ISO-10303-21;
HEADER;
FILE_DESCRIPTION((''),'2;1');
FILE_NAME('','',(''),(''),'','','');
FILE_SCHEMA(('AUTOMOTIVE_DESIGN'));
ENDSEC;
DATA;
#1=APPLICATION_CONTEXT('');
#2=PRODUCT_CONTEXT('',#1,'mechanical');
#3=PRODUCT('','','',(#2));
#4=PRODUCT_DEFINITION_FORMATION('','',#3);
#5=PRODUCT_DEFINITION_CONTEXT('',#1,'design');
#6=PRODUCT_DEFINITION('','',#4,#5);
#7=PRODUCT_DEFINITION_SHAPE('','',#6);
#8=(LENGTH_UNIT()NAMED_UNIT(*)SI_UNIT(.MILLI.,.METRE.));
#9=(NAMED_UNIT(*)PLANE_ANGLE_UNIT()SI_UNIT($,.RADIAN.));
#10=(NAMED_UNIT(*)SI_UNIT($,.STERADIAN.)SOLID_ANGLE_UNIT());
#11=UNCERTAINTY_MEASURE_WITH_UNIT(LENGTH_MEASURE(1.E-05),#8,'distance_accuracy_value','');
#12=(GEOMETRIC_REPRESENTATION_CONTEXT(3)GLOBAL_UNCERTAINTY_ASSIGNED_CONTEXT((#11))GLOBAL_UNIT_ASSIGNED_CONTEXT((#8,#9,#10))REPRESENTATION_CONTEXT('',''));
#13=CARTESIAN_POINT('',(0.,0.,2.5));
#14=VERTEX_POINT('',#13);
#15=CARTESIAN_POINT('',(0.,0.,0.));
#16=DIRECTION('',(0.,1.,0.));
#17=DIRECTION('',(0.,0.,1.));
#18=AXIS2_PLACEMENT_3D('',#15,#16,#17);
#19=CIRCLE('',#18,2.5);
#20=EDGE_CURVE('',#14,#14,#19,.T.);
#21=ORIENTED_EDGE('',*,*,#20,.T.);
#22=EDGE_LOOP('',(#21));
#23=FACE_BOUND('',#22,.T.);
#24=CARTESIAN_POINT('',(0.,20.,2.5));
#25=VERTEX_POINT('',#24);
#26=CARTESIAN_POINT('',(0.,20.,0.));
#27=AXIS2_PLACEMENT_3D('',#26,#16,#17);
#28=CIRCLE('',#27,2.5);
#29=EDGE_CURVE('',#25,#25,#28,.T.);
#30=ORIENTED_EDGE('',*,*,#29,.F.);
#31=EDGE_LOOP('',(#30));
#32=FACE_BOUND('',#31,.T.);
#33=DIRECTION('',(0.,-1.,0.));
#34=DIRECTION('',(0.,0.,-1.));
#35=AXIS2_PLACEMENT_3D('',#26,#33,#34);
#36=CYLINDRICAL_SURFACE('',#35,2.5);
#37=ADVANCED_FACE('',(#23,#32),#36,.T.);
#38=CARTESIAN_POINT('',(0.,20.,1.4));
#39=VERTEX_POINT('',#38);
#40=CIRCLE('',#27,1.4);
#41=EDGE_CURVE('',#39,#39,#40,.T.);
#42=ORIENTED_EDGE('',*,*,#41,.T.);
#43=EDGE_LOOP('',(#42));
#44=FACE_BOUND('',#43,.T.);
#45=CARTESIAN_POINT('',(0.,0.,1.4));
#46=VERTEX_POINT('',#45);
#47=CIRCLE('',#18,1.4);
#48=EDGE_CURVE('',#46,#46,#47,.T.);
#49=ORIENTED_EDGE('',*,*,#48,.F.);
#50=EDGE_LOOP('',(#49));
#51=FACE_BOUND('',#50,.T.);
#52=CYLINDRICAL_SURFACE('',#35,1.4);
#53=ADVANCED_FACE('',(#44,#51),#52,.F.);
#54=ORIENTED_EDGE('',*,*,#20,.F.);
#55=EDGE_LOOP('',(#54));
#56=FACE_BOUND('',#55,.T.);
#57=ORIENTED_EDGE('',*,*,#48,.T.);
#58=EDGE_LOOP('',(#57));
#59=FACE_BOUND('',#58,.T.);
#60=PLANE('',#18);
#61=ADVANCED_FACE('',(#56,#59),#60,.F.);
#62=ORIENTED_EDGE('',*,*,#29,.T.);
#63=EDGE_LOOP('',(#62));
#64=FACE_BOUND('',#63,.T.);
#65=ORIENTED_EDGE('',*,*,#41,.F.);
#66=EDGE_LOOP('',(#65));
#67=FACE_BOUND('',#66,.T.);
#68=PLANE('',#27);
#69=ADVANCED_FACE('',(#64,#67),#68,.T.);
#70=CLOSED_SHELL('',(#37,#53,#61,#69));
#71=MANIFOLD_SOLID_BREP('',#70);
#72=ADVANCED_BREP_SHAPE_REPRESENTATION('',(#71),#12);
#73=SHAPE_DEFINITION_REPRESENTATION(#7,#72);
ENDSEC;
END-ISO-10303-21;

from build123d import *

# Parameters (mm, degrees)
SKETCH1_R           = 2.5
SKETCH1_R_2         = 1.4
BOSS_EXTRUDE1_DEPTH = 20


with BuildPart() as part:
    # Sketch1 → Boss-Extrude1 (new body)
    with BuildSketch(Plane(origin=(0, 0, 0), x_dir=(1, 0, 0), z_dir=(0, 1, 0))):
        Circle(SKETCH1_R)
        Circle(SKETCH1_R_2, mode=Mode.SUBTRACT)
    extrude(amount=BOSS_EXTRUDE1_DEPTH)


solid = part.part
